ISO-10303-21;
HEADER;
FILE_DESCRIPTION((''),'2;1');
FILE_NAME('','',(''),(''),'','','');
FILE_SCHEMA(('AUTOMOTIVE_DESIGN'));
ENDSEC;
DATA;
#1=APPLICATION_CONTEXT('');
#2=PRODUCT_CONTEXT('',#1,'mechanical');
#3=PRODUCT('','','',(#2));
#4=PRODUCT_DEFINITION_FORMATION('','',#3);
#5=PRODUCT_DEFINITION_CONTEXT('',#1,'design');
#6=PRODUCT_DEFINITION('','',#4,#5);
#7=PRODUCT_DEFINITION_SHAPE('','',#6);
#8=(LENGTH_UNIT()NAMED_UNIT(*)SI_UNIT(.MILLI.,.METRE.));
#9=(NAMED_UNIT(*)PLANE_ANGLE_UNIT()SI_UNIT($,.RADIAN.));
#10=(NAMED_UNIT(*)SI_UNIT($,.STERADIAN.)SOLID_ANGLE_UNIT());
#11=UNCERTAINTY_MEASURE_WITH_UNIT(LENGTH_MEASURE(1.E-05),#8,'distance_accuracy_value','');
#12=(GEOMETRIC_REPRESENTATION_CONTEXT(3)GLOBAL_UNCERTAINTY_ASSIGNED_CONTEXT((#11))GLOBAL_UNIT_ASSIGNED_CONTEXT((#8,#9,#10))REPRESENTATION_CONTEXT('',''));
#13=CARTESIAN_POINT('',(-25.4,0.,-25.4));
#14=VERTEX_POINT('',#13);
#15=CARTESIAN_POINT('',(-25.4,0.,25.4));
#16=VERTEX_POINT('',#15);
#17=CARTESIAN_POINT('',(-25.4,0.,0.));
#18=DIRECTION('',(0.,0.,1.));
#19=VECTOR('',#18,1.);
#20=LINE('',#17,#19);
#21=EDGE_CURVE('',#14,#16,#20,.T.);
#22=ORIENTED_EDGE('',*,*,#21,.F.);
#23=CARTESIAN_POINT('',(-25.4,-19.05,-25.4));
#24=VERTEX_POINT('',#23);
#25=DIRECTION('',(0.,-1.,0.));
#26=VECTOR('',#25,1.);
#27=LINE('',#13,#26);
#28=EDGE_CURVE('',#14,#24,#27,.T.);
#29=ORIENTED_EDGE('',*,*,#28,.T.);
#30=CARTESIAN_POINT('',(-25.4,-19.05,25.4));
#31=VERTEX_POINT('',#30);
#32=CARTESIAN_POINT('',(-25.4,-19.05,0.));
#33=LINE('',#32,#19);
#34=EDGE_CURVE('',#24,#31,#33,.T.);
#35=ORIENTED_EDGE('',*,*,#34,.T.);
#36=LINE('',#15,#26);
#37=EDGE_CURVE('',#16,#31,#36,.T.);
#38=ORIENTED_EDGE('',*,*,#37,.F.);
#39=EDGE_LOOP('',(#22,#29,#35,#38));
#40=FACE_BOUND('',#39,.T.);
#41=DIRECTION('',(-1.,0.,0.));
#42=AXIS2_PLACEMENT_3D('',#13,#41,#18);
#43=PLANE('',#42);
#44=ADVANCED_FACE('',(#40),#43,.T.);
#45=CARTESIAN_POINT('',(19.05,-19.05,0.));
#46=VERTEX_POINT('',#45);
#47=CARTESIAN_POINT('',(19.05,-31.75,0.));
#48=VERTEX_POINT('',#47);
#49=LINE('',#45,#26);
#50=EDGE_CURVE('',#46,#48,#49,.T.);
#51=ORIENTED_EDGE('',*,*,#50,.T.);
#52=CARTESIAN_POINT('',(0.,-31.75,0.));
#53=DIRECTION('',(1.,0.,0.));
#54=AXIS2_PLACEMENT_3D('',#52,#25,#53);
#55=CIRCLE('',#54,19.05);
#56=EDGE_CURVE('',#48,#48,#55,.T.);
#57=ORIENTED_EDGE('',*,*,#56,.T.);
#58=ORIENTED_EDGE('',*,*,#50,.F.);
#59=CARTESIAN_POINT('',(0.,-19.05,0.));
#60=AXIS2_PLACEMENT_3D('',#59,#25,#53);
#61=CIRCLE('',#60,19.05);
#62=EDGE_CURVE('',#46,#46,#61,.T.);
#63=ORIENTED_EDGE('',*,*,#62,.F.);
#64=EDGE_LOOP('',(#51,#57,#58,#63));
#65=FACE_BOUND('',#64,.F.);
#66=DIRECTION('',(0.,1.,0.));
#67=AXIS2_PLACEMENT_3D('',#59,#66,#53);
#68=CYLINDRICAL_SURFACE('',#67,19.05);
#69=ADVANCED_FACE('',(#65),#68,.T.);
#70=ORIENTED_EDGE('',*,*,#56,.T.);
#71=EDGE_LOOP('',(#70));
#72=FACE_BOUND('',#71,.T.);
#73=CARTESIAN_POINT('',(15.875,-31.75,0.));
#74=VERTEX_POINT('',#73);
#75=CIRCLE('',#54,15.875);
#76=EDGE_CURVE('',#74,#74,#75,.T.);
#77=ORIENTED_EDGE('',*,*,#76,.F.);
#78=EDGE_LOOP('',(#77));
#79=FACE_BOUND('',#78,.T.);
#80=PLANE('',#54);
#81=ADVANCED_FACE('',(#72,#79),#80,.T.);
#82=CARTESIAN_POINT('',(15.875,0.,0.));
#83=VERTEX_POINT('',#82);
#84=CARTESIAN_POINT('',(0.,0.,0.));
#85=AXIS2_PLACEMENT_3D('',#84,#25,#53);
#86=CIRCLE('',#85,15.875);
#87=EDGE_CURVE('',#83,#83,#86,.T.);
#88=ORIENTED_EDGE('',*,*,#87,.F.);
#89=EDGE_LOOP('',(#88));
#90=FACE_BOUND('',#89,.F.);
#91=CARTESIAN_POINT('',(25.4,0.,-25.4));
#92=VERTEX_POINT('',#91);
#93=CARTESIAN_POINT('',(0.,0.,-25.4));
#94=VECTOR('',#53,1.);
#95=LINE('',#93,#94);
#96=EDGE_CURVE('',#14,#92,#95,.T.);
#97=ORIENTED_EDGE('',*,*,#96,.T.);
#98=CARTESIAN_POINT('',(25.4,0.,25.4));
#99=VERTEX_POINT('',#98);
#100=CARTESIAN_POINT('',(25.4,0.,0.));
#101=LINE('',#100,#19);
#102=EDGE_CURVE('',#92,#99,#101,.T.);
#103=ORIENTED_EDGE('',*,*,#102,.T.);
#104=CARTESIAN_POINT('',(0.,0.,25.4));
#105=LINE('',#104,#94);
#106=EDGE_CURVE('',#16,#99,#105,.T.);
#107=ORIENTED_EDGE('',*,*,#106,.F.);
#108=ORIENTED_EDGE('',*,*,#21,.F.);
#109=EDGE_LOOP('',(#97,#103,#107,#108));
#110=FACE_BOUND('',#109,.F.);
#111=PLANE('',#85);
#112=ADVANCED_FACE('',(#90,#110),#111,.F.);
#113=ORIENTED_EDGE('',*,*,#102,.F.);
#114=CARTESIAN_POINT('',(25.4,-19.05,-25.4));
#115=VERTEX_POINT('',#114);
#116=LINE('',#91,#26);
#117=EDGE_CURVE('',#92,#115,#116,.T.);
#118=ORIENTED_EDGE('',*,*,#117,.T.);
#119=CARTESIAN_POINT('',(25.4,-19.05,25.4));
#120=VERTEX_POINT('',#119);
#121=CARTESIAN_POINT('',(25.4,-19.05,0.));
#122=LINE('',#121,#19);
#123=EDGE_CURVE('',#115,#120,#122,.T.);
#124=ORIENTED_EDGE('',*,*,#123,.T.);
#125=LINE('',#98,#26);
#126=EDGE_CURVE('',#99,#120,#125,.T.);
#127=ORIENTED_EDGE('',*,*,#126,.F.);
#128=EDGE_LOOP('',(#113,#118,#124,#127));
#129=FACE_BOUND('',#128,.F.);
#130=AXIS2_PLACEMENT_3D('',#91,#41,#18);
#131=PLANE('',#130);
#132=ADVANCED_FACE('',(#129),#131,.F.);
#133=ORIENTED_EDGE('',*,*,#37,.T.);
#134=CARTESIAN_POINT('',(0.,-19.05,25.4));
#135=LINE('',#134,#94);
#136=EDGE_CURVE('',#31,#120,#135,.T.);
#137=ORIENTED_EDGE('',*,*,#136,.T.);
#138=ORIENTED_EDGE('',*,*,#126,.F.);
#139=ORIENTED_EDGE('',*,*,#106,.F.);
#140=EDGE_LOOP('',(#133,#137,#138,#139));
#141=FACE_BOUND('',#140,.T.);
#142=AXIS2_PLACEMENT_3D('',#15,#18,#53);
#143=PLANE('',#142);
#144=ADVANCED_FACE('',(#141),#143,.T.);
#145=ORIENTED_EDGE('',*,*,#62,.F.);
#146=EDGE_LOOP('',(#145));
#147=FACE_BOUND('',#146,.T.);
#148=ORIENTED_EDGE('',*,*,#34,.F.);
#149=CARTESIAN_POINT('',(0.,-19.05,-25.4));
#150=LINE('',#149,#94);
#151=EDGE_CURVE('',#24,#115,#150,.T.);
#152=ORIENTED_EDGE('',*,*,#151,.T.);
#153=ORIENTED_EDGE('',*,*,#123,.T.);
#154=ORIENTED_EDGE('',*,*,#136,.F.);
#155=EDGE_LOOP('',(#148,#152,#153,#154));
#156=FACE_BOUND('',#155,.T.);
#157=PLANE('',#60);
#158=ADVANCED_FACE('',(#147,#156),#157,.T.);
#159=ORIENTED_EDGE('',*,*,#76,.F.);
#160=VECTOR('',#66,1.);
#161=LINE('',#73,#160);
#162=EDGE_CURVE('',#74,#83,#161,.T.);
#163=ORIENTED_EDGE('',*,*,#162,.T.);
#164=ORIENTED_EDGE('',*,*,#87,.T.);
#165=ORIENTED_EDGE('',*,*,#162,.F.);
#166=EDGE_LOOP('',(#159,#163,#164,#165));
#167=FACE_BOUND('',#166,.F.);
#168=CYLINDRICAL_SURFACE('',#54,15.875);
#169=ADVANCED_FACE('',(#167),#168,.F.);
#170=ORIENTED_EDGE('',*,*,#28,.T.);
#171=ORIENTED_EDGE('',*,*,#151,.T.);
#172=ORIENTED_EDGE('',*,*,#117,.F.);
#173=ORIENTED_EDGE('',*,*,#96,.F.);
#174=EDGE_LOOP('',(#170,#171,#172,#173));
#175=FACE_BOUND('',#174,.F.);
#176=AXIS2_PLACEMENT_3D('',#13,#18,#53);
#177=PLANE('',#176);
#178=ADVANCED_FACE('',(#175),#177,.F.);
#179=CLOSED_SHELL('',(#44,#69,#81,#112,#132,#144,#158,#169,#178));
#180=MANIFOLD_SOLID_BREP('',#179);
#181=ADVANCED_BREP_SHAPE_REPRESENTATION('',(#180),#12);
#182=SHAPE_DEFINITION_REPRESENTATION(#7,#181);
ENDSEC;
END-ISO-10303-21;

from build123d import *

# Parameters (mm, degrees)
F0_W     = 50.8
F0_H     = 50.8
F1_DEPTH = 19.05
F2_R     = 19.05
F3_DEPTH = 12.7
F4_R     = 15.875
F5_DEPTH = 50.292


with BuildPart() as f1:
    # F0 (on Front) → F1 (new body)
    with BuildSketch(Plane.XZ):
        Rectangle(F0_W, F0_H)
    extrude(amount=F1_DEPTH)

    # F2 (on face) → F3 (join)
    with BuildSketch(Plane.XZ.offset(19.05)):
        Circle(F2_R)
    extrude(amount=F3_DEPTH)

    # F4 (on face) → F5 (cut)
    with BuildSketch(Plane.XZ.offset(31.75)):
        Circle(F4_R)
    extrude(amount=-F5_DEPTH, mode=Mode.SUBTRACT)


solid = f1.part
